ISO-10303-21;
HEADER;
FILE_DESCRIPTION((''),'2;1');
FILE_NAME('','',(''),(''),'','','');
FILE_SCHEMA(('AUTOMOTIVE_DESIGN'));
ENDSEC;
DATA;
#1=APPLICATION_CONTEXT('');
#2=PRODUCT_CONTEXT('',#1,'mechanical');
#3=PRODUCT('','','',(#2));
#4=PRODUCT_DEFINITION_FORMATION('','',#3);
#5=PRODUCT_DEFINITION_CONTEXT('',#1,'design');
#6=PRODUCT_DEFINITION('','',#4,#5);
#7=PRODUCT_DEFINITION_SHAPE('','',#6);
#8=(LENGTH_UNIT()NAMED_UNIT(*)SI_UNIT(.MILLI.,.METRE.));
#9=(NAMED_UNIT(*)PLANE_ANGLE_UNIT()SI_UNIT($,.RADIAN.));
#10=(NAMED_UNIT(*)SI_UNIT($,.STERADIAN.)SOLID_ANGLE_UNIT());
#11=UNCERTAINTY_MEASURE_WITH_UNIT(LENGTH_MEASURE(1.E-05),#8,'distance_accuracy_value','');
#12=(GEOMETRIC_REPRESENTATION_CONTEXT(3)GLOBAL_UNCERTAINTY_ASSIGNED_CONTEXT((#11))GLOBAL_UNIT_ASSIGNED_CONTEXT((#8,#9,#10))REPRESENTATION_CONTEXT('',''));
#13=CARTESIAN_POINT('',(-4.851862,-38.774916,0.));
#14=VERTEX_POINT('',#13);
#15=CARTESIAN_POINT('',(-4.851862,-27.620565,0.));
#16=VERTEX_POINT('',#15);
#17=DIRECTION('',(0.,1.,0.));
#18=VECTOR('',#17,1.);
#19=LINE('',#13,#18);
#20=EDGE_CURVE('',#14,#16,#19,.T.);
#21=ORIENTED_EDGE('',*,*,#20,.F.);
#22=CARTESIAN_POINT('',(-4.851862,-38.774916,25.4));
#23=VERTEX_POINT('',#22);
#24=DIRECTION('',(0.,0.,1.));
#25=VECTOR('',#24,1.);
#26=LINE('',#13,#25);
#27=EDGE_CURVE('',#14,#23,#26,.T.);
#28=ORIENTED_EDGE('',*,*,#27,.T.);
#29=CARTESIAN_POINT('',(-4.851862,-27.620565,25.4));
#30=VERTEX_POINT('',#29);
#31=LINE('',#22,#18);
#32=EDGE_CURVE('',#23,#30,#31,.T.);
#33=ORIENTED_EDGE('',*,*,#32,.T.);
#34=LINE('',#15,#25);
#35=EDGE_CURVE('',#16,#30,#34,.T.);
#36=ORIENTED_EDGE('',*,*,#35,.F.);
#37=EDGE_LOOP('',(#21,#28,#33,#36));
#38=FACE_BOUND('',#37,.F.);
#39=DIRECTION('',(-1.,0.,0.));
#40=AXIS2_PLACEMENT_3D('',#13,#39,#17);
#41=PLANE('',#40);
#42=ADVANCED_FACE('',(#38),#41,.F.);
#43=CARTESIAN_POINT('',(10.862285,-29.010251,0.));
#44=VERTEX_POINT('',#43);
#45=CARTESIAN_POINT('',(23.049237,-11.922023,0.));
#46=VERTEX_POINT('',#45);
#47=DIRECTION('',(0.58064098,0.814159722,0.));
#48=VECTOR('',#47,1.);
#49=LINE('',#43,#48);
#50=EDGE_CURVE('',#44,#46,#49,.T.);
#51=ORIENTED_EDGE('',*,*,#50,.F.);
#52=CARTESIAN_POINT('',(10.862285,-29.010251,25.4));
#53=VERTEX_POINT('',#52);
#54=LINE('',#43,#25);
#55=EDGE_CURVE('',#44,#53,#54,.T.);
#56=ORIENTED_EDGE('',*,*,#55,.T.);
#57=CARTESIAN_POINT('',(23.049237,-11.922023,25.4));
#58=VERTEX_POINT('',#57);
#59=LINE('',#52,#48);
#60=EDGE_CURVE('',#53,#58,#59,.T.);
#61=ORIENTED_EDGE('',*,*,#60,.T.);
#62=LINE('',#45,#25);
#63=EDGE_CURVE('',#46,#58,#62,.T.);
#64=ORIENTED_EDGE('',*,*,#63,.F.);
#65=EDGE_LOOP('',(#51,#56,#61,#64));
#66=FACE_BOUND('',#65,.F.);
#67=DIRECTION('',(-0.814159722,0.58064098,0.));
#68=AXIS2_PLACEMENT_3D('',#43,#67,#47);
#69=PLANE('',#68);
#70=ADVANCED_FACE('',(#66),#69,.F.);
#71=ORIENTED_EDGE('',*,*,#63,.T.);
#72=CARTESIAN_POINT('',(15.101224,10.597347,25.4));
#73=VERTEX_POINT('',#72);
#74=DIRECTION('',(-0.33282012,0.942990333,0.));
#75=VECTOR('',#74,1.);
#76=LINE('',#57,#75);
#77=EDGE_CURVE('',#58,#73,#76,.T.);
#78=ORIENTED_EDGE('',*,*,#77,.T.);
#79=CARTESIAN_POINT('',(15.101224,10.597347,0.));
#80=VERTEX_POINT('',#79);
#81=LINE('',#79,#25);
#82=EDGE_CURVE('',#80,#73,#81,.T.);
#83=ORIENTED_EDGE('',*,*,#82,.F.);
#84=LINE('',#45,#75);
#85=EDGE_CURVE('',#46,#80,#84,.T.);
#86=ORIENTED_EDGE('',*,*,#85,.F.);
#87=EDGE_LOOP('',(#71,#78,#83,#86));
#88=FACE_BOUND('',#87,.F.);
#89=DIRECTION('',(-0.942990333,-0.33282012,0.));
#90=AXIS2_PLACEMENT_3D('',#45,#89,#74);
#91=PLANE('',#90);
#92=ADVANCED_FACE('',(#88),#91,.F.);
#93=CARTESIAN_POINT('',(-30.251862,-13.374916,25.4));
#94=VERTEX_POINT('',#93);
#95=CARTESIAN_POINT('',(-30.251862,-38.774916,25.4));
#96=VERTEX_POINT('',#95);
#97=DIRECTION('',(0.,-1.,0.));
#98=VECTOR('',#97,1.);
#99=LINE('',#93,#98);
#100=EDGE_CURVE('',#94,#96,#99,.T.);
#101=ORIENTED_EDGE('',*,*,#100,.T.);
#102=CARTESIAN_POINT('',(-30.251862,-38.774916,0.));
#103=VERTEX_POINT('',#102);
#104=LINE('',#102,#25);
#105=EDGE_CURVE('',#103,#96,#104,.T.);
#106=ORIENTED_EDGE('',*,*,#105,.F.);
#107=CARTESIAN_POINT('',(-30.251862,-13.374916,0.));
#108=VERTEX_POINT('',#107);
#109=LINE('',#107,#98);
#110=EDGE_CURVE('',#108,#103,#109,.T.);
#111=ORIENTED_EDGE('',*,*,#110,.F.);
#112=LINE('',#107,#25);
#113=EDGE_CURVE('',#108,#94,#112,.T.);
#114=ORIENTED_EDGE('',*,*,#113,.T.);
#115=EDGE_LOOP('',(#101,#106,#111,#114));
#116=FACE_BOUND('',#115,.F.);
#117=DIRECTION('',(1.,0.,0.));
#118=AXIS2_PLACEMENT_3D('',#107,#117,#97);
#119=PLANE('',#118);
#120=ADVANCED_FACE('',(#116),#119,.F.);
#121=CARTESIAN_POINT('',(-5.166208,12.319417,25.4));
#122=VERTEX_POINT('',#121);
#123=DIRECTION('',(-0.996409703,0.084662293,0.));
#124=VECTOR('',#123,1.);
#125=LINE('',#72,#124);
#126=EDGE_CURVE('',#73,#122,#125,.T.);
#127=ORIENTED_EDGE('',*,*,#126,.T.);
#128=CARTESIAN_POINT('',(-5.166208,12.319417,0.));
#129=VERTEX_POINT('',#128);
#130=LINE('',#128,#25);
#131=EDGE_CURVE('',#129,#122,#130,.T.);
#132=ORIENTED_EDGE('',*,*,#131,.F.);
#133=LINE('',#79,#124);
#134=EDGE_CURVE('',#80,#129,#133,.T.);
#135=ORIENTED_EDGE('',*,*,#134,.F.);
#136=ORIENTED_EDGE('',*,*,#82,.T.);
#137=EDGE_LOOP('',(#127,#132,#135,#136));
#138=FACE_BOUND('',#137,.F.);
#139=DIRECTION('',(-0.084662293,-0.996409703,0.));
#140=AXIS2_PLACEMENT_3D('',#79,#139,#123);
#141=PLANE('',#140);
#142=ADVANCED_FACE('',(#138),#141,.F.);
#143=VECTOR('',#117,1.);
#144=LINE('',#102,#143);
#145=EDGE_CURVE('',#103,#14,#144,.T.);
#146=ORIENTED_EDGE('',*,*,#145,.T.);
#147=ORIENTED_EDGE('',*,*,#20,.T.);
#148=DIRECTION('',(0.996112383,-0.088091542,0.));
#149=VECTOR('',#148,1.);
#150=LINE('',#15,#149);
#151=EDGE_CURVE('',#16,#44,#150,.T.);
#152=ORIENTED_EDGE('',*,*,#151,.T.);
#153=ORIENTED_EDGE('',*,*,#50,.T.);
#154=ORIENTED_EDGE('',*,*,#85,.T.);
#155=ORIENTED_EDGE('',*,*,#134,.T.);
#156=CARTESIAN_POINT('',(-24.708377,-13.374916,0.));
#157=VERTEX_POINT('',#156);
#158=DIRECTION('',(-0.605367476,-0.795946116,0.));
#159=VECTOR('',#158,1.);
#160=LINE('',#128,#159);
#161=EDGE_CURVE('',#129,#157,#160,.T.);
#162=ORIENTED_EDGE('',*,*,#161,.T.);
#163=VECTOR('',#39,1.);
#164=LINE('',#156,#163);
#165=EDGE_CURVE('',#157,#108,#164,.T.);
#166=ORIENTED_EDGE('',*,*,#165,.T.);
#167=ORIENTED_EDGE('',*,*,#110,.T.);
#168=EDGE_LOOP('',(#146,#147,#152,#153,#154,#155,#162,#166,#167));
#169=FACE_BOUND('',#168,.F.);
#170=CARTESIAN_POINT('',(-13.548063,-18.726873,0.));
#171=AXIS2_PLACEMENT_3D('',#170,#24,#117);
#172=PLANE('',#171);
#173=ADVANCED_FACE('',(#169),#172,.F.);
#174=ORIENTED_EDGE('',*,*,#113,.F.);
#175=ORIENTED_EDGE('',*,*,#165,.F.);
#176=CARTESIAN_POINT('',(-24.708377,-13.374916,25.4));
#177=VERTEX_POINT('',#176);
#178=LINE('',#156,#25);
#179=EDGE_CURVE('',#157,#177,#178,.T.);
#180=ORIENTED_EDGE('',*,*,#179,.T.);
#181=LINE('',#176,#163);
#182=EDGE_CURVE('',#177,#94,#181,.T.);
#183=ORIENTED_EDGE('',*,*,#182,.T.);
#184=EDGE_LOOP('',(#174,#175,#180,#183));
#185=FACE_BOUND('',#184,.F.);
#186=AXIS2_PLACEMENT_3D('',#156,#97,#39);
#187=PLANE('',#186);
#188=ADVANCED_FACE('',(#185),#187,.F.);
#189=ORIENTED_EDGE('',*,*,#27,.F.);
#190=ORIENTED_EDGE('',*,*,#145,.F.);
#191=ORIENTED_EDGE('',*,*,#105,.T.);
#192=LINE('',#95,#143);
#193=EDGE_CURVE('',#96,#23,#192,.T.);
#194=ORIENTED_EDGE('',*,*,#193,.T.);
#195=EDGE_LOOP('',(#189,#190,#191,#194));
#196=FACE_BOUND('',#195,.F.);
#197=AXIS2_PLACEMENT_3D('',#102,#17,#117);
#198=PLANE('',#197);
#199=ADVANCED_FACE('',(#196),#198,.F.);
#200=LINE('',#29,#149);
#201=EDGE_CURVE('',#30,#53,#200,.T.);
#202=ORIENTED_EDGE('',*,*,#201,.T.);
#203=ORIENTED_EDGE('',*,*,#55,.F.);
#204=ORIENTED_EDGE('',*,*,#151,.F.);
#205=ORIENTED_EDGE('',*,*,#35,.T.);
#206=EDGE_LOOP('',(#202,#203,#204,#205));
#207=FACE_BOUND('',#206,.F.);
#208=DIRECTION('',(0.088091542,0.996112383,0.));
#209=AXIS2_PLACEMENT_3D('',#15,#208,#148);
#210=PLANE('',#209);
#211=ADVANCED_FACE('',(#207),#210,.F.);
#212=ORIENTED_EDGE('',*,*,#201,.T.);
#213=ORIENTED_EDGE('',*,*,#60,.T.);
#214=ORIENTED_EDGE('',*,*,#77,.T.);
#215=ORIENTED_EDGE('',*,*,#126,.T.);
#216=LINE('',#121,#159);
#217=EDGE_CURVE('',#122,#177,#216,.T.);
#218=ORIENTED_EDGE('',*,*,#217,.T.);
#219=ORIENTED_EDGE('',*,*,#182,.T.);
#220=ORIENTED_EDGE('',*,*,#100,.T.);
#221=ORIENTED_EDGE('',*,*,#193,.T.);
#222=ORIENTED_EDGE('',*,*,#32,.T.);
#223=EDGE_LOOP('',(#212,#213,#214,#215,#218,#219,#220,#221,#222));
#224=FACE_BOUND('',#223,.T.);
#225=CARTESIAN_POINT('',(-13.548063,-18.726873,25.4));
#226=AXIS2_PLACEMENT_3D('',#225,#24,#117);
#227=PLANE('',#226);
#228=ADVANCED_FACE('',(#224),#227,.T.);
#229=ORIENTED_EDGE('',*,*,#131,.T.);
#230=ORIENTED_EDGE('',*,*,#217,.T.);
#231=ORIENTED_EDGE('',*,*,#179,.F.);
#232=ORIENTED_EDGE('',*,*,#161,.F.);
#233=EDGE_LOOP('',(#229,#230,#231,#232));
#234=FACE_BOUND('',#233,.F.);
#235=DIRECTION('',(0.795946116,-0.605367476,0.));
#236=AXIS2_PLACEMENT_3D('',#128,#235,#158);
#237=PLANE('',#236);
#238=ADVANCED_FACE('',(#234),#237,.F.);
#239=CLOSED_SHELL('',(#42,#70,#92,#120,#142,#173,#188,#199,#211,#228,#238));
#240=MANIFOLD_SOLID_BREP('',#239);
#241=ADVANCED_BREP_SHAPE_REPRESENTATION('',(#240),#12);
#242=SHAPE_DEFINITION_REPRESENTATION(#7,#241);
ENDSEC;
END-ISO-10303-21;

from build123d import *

# Parameters (mm, degrees)
F1_DEPTH = 25.4


with BuildPart() as f1:
    # F0 (on Top) → F1 (new body)
    with BuildSketch(Plane.XY):
        Polygon((-8.610348, -27.288182), (-4.851862, -27.620565), (-4.851862, -13.374916), (-24.708377, -13.374916), (-26.625844, -15.89603), align=None)
        Polygon((-4.851862, -13.374916), (-4.851862, -27.620565), (10.862285, -29.010251), (23.049237, -11.922023), (15.101224, 10.597347), (-5.166208, 12.319417), (-24.708377, -13.374916), align=None)
        Polygon((-30.251862, -13.374916), (-30.251862, -38.774916), (-4.851862, -38.774916), (-4.851862, -27.620565), (-8.610348, -27.288182), (-26.625844, -15.89603), (-24.708377, -13.374916), align=None)
    extrude(amount=F1_DEPTH)


solid = f1.part
